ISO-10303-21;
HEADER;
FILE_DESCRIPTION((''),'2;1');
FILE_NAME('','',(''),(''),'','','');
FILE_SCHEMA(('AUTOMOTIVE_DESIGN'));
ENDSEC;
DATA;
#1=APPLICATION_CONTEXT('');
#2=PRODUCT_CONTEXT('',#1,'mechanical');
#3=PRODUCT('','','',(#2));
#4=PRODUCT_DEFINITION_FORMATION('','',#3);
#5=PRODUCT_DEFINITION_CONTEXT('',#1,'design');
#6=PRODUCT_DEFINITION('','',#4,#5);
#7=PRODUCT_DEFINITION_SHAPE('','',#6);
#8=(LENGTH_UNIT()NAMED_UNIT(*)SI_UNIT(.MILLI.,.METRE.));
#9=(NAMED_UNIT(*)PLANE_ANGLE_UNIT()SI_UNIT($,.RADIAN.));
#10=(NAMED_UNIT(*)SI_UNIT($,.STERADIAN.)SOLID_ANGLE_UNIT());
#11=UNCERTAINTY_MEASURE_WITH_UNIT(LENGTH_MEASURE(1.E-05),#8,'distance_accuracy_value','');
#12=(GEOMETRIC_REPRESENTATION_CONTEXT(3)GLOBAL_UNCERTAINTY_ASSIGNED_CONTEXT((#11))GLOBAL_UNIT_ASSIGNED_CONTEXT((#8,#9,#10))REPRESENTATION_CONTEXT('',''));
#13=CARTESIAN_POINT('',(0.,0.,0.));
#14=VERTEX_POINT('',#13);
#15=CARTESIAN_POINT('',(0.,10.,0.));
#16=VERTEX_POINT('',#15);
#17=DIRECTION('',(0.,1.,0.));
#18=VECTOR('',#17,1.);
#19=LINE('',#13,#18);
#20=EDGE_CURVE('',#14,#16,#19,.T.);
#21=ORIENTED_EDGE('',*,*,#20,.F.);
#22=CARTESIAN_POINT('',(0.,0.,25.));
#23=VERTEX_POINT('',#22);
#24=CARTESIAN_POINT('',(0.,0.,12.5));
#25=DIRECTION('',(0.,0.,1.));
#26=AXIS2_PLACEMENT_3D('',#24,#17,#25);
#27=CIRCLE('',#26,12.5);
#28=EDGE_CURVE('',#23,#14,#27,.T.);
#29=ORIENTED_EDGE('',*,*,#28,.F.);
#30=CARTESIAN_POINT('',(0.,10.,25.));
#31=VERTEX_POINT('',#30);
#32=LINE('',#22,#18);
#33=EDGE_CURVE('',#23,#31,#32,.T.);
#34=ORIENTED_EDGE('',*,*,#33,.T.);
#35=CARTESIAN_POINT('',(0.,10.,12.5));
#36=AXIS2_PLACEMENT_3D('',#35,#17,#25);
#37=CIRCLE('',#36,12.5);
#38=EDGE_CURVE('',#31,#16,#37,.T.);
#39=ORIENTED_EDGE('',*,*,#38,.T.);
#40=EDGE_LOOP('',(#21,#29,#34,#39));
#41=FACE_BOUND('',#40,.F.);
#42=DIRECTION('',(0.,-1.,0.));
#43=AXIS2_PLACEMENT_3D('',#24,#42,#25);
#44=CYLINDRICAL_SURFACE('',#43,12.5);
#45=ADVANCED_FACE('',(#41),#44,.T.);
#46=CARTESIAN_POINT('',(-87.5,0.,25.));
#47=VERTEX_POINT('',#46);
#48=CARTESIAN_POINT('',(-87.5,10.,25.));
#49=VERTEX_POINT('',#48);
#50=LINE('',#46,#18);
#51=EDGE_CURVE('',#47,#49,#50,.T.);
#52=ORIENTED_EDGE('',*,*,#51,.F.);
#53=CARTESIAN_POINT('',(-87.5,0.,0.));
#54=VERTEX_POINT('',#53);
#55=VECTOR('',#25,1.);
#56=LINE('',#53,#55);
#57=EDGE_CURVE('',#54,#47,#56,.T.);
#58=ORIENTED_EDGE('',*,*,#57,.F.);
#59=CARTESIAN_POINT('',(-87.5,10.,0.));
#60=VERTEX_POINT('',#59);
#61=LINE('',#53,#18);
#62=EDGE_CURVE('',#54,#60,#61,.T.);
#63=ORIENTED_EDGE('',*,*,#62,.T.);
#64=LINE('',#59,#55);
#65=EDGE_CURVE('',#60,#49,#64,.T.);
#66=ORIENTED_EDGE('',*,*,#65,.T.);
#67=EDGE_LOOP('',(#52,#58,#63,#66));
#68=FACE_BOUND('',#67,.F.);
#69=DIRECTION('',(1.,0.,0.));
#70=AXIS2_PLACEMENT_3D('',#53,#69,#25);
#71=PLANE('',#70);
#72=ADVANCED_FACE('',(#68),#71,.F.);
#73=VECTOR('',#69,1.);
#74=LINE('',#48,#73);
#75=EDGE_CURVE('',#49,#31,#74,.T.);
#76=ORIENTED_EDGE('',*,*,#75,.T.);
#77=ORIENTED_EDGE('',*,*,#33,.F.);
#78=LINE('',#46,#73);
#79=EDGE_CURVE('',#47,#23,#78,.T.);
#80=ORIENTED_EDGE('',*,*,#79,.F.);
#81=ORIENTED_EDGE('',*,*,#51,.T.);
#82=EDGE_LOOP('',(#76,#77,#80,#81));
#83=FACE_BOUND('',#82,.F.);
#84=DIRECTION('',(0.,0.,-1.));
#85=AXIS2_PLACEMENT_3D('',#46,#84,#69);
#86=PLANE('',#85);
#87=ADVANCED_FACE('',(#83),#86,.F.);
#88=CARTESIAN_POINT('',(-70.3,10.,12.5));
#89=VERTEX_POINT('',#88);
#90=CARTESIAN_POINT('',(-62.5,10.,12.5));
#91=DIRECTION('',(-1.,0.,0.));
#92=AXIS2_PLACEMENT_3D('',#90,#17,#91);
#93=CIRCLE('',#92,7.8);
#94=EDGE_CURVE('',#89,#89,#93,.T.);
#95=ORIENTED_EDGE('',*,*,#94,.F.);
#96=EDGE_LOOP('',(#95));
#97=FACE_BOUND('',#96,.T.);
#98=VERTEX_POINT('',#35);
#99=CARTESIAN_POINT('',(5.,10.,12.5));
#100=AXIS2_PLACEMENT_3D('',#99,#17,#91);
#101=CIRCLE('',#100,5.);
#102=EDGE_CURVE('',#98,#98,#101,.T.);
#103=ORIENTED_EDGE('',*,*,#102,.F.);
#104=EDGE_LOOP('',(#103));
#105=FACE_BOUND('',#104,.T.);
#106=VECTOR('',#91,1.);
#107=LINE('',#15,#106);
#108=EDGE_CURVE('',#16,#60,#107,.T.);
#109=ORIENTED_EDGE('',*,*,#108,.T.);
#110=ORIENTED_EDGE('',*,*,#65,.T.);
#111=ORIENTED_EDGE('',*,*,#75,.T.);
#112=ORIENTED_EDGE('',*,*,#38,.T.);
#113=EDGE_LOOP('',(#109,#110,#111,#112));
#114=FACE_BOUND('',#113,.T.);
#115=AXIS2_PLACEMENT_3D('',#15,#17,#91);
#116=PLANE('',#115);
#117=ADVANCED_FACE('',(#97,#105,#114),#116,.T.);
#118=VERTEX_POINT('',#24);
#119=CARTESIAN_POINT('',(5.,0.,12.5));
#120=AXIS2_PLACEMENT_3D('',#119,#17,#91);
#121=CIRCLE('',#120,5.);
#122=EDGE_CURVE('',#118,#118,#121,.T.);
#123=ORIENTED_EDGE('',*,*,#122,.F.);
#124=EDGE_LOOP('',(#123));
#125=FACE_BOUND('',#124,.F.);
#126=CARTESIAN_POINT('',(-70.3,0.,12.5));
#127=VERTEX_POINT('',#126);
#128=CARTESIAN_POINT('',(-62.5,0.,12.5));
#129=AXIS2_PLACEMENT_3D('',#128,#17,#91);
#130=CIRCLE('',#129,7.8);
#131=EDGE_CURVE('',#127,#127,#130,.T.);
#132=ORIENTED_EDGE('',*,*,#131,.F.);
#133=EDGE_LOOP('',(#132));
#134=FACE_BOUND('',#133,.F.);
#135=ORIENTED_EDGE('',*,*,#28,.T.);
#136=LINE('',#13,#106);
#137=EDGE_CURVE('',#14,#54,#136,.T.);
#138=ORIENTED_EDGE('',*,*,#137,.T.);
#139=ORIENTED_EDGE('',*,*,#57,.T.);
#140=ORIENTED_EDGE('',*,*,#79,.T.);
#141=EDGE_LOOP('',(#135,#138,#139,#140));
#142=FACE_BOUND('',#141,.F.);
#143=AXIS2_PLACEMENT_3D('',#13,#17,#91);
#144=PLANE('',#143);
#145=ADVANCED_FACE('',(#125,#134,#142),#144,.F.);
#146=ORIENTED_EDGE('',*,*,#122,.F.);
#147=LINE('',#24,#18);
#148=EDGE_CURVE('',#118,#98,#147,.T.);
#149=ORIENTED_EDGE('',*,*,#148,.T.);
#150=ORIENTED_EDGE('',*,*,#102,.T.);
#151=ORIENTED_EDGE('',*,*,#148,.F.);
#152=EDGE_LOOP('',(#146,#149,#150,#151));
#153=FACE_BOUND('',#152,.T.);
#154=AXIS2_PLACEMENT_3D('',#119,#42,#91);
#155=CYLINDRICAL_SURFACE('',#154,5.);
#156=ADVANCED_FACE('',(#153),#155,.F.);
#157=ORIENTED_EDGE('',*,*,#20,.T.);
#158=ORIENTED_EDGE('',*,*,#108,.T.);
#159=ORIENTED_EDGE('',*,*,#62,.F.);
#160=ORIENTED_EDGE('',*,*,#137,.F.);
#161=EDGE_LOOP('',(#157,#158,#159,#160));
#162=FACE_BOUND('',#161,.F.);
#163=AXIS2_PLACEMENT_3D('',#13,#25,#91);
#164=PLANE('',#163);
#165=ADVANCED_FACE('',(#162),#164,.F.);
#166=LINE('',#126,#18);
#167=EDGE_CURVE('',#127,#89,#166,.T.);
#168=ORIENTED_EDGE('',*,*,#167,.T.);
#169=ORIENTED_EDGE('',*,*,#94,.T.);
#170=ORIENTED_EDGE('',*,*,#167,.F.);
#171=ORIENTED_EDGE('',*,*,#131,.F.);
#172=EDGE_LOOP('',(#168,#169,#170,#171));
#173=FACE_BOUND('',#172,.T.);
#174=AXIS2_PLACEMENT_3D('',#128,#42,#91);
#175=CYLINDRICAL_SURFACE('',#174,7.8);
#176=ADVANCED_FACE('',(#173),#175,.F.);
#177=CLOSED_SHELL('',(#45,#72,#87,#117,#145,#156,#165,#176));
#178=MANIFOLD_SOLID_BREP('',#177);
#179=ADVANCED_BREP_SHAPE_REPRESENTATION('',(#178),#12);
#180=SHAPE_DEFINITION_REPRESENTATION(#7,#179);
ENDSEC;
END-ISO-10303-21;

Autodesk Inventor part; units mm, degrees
ref_plane "YZ Plane" through (0, 0, 0) normal (1, 0, 0) x (0, 1, 0)
ref_plane "XZ Plane" through (0, 0, 0) normal (0, 1, 0) x (-1, 0, 0)
ref_plane "XY Plane" through (0, 0, 0) normal (0, 0, 1) x (1, 0, 0)
sketch "Sketch1" plane through (0, 0, 0) normal (0, 1, 0) x (-1, 0, 0)
  line L0 (0, 0) -> (87.5, 0)
  line L1 (87.5, 0) -> (87.5, 25)
  line L2 (87.5, 25) -> (0, 25)
  circle A0 centre (62.5, 12.5) radius 7.8
  arc A1 (0, 25) -> (0, 0) centre (0, 12.5) ccw
  circle A2 centre (-5, 12.5) radius 5
extrude "Extrusion1" add sketch "Sketch1" along normal blind 10
properties part number "handle_crank" material "Plywood, Finish"
